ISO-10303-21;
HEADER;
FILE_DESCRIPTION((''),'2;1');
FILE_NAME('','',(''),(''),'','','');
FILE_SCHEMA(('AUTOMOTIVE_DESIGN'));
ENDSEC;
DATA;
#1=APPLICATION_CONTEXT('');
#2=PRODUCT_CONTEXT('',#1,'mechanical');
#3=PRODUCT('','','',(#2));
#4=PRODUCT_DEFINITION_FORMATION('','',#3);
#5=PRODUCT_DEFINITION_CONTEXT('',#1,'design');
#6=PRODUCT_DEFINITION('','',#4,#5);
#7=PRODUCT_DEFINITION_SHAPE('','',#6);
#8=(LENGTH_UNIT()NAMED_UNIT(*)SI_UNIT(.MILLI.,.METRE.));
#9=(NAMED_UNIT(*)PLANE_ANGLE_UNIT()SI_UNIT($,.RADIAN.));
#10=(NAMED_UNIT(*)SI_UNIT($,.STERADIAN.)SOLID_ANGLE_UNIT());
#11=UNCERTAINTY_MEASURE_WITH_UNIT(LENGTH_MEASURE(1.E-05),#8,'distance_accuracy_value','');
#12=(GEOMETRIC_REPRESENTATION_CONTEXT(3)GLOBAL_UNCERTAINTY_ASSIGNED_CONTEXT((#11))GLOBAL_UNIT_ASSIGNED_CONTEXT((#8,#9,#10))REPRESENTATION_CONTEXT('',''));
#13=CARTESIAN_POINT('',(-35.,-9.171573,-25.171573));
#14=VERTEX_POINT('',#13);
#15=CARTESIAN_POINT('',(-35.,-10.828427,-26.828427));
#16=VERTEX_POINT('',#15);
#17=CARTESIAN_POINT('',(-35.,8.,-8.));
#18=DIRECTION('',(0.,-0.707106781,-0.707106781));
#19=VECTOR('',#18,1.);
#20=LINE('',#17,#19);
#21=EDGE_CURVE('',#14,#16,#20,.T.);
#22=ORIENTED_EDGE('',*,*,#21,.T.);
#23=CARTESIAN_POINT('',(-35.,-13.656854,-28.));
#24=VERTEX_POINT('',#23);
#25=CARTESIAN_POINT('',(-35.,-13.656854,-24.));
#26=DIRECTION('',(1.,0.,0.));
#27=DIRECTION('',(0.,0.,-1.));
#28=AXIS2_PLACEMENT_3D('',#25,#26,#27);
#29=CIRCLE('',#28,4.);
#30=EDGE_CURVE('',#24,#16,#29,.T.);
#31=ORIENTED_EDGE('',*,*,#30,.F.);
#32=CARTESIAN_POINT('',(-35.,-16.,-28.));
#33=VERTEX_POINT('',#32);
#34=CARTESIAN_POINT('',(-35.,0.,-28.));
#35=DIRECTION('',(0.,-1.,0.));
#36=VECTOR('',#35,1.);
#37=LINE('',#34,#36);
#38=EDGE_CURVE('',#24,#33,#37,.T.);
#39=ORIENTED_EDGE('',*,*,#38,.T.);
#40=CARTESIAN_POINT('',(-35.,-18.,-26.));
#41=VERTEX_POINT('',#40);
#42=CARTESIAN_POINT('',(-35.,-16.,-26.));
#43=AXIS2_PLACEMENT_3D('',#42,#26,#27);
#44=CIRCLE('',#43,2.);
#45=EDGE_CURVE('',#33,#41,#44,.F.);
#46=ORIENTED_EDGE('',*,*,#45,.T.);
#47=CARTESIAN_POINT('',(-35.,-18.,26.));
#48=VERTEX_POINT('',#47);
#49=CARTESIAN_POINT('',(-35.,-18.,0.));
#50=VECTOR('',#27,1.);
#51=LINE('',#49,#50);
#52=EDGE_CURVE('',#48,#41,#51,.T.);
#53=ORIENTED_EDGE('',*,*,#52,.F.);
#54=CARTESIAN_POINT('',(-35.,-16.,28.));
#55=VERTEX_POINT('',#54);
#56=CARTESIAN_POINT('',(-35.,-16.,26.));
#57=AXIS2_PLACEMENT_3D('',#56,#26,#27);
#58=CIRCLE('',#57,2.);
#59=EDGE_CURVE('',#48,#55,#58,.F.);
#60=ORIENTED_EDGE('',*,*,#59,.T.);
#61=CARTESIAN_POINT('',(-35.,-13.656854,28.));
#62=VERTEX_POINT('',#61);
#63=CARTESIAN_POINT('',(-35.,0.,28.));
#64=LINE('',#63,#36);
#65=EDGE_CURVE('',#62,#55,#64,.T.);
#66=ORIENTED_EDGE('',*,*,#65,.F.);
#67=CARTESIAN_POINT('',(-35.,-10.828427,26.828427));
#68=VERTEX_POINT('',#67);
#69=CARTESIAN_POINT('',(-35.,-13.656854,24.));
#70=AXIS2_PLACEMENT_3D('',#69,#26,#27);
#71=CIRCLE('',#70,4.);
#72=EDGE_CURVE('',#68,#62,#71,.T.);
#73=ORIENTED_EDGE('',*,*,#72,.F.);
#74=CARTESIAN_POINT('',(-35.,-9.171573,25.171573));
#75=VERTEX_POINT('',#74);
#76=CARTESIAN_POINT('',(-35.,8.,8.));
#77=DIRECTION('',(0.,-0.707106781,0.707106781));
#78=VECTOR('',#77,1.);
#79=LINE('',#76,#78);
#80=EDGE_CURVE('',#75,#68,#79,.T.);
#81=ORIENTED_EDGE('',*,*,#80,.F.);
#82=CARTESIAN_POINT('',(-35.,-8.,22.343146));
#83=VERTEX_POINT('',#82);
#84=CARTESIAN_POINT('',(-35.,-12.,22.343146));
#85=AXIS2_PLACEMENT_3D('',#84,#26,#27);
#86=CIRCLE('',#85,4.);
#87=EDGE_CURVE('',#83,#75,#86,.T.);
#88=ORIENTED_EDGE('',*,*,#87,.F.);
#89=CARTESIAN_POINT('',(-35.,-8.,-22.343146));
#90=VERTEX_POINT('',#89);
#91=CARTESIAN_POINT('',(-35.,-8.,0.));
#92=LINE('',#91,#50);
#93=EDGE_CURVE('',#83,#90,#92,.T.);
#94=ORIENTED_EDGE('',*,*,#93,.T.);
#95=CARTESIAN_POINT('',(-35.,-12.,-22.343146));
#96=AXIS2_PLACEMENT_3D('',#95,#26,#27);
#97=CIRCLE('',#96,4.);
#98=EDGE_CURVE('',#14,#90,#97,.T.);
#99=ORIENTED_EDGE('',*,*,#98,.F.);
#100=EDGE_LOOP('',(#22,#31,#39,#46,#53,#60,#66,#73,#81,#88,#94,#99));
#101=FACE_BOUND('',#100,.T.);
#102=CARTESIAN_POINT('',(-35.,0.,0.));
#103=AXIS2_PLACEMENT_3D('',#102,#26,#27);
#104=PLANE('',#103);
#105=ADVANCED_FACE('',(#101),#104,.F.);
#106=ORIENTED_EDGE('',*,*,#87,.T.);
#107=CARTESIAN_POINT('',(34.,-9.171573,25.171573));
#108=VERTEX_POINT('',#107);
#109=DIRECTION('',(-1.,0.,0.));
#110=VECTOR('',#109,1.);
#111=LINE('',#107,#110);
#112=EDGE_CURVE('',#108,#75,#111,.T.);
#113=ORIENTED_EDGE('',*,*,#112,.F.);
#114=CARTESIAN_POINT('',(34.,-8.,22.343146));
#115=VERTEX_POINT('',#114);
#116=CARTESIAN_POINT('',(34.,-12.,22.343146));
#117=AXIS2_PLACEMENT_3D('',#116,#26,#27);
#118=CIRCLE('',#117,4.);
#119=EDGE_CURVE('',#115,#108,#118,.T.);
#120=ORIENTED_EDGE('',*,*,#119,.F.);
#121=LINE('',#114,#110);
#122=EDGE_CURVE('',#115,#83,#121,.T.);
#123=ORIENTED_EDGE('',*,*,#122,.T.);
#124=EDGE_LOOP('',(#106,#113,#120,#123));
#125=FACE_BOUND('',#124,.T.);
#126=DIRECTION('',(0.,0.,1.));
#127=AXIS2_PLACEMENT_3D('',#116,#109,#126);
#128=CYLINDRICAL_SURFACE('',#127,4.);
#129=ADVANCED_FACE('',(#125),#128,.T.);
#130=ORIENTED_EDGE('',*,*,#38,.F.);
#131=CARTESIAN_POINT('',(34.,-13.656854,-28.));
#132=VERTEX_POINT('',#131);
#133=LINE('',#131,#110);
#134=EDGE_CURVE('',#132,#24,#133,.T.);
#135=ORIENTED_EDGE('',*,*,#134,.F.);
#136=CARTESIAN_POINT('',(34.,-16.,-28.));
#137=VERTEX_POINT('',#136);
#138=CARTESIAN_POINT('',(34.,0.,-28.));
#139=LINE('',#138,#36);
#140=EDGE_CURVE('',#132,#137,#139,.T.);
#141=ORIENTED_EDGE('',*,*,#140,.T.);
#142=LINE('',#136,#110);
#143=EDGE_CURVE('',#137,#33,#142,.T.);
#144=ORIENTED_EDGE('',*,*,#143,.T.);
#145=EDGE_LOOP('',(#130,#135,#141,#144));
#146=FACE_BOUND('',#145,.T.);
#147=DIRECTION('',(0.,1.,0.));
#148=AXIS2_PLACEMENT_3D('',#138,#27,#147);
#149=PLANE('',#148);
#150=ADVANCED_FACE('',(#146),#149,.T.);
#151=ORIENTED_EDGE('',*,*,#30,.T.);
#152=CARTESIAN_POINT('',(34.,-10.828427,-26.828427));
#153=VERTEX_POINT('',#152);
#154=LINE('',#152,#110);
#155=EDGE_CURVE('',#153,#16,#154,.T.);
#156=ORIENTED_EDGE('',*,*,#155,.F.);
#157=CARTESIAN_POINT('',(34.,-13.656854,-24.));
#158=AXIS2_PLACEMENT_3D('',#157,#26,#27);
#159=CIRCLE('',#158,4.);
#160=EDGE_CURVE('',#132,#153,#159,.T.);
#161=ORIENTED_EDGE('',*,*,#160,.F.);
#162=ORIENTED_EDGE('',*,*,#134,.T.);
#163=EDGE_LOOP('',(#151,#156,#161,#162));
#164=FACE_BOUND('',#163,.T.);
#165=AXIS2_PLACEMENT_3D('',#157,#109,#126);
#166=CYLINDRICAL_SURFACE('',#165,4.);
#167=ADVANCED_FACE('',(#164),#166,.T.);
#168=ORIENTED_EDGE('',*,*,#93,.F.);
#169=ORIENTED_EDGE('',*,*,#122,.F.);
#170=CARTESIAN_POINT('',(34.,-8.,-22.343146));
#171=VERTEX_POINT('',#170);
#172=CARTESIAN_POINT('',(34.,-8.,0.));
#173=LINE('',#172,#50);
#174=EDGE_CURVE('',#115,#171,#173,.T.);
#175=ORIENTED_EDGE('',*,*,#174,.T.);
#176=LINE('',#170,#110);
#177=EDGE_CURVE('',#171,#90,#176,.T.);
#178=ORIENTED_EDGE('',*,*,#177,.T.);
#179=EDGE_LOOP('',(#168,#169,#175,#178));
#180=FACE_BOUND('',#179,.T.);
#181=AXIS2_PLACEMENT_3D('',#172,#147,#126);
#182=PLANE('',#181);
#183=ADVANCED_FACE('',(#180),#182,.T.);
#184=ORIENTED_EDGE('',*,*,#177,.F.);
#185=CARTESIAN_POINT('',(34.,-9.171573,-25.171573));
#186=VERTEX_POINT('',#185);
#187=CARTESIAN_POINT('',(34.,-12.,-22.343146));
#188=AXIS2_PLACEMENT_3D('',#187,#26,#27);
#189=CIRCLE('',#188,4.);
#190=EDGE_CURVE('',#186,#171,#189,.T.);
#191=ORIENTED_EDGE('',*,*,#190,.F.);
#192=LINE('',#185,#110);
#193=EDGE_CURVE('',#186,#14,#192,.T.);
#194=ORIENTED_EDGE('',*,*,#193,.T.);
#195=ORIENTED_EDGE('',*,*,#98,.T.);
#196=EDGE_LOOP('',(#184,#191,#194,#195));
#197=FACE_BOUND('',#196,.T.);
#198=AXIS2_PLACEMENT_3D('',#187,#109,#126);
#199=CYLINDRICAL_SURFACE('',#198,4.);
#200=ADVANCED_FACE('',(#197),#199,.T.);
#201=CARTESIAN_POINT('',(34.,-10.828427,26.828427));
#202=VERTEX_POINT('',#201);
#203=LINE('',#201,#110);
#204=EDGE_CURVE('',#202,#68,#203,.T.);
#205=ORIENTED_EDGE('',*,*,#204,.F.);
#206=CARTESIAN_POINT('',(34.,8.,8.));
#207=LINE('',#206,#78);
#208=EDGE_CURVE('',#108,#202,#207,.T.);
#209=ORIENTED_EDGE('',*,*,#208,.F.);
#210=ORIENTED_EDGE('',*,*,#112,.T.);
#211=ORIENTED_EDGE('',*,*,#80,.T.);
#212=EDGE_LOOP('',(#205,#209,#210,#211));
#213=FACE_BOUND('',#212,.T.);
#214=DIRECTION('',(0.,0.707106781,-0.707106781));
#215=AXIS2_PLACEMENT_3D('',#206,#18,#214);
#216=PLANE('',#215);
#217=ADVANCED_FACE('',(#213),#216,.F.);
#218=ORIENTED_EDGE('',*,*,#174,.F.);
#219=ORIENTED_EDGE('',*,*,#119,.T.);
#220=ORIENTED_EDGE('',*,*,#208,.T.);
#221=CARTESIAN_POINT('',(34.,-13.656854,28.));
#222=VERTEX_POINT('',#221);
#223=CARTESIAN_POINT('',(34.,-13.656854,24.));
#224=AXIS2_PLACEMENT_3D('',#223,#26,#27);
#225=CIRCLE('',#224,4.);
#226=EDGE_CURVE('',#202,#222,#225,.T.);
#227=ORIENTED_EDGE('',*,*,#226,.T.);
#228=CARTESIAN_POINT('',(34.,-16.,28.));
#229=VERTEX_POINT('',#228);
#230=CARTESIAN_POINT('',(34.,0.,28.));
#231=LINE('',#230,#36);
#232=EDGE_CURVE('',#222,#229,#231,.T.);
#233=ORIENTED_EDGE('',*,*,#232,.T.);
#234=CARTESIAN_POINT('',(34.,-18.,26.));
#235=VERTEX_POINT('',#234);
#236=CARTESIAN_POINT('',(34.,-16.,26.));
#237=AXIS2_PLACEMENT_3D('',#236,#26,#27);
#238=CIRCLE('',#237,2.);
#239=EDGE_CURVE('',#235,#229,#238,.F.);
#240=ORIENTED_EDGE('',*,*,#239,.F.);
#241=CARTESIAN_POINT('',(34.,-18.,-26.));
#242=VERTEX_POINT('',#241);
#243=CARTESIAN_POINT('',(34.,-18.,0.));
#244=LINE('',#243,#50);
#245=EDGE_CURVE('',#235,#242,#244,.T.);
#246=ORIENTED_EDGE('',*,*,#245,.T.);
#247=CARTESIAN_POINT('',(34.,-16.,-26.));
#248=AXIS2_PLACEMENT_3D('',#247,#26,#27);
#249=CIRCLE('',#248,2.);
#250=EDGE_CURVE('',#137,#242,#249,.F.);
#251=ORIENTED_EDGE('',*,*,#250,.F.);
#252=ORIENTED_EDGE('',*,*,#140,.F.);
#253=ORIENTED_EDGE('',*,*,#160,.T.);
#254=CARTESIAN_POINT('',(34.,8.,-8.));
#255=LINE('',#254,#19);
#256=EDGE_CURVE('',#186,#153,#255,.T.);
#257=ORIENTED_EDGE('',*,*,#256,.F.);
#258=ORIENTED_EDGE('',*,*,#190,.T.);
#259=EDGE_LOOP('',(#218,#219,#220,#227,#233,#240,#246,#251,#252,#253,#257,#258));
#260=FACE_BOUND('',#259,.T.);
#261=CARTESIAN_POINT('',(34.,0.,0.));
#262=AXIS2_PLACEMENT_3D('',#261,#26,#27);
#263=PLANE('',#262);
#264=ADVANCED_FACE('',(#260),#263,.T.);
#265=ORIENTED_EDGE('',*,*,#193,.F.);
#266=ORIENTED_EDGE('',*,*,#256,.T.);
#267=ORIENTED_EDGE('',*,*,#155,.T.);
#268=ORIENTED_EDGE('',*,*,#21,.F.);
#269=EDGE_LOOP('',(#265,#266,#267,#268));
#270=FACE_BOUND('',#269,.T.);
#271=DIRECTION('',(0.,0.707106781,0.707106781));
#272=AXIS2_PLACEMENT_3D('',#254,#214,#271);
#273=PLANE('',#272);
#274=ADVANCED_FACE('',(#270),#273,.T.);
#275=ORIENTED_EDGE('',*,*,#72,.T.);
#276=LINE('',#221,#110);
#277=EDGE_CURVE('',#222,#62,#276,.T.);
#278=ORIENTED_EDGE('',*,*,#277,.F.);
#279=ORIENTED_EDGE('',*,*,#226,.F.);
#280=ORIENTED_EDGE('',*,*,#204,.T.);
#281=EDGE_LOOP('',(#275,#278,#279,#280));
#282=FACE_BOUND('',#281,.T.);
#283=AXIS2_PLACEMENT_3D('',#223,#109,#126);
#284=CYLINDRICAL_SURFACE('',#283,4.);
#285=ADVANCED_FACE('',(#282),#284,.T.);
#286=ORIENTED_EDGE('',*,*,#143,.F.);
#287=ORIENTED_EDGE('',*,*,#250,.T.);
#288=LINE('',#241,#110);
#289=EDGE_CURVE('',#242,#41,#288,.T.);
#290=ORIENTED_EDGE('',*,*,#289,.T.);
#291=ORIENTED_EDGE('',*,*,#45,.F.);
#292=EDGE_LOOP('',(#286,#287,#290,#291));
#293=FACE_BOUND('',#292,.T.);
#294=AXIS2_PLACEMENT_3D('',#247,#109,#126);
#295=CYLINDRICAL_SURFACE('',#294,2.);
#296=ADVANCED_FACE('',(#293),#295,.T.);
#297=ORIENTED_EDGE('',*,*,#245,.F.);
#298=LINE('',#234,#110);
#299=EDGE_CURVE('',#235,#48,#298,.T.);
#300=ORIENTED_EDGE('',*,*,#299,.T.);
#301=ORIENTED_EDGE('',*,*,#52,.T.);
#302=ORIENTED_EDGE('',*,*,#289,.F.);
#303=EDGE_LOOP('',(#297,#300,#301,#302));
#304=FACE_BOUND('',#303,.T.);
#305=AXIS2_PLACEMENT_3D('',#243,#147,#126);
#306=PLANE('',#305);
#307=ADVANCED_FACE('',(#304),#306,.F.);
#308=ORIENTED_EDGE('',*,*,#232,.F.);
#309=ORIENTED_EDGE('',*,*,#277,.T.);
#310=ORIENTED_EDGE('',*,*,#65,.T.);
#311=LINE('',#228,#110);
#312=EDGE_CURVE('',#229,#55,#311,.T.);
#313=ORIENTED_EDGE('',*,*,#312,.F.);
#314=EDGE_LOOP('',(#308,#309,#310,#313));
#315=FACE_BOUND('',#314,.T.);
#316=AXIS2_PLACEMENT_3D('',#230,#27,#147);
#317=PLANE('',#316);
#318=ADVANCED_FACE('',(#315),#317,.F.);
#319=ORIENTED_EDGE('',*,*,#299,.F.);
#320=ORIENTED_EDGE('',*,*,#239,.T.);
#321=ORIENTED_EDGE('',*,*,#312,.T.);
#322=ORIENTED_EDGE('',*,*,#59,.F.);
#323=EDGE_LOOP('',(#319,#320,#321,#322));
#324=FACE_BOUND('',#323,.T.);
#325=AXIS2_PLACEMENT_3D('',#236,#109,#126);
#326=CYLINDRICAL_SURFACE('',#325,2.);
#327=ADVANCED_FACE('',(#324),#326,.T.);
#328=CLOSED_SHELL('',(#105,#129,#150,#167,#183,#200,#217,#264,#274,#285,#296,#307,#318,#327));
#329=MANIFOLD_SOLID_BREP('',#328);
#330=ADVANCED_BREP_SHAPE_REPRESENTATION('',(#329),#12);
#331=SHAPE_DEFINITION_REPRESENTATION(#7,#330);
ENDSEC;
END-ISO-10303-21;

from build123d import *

# Parameters (mm, degrees)
BOSS_EXTRUDE1_START = -35
BOSS_EXTRUDE1_DEPTH = 69


with BuildPart() as part:
    # Sketch2 → Boss-Extrude1 (new body)
    with BuildSketch(Plane(origin=(0, 0, 0), x_dir=(0, 0, -1), z_dir=(1, 0, 0)).offset(BOSS_EXTRUDE1_START)):
        with BuildLine():
            Line((28, -13.656854249), (28, -16))
            ThreePointArc((28, -16), (27.414213562, -17.414213562), (26, -18))
            Line((26, -18), (-26, -18))
            ThreePointArc((-26, -18), (-27.414213562, -17.414213562), (-28, -16))
            Line((-28, -16), (-28, -13.656854249))
            ThreePointArc((-28, -13.656854249), (-27.69551813, -12.12612052), (-26.828427125, -10.828427125))
            Line((-26.828427125, -10.828427125), (-25.171572875, -9.171572875))
            ThreePointArc((-25.171572875, -9.171572875), (-23.87387948, -8.30448187), (-22.343145751, -8))
            Line((-22.343145751, -8), (22.343145751, -8))
            ThreePointArc((22.343145751, -8), (23.87387948, -8.30448187), (25.171572875, -9.171572875))
            Line((25.171572875, -9.171572875), (26.828427125, -10.828427125))
            ThreePointArc((26.828427125, -10.828427125), (27.69551813, -12.12612052), (28, -13.656854249))
        make_face()
    extrude(amount=BOSS_EXTRUDE1_DEPTH)


solid = part.part
